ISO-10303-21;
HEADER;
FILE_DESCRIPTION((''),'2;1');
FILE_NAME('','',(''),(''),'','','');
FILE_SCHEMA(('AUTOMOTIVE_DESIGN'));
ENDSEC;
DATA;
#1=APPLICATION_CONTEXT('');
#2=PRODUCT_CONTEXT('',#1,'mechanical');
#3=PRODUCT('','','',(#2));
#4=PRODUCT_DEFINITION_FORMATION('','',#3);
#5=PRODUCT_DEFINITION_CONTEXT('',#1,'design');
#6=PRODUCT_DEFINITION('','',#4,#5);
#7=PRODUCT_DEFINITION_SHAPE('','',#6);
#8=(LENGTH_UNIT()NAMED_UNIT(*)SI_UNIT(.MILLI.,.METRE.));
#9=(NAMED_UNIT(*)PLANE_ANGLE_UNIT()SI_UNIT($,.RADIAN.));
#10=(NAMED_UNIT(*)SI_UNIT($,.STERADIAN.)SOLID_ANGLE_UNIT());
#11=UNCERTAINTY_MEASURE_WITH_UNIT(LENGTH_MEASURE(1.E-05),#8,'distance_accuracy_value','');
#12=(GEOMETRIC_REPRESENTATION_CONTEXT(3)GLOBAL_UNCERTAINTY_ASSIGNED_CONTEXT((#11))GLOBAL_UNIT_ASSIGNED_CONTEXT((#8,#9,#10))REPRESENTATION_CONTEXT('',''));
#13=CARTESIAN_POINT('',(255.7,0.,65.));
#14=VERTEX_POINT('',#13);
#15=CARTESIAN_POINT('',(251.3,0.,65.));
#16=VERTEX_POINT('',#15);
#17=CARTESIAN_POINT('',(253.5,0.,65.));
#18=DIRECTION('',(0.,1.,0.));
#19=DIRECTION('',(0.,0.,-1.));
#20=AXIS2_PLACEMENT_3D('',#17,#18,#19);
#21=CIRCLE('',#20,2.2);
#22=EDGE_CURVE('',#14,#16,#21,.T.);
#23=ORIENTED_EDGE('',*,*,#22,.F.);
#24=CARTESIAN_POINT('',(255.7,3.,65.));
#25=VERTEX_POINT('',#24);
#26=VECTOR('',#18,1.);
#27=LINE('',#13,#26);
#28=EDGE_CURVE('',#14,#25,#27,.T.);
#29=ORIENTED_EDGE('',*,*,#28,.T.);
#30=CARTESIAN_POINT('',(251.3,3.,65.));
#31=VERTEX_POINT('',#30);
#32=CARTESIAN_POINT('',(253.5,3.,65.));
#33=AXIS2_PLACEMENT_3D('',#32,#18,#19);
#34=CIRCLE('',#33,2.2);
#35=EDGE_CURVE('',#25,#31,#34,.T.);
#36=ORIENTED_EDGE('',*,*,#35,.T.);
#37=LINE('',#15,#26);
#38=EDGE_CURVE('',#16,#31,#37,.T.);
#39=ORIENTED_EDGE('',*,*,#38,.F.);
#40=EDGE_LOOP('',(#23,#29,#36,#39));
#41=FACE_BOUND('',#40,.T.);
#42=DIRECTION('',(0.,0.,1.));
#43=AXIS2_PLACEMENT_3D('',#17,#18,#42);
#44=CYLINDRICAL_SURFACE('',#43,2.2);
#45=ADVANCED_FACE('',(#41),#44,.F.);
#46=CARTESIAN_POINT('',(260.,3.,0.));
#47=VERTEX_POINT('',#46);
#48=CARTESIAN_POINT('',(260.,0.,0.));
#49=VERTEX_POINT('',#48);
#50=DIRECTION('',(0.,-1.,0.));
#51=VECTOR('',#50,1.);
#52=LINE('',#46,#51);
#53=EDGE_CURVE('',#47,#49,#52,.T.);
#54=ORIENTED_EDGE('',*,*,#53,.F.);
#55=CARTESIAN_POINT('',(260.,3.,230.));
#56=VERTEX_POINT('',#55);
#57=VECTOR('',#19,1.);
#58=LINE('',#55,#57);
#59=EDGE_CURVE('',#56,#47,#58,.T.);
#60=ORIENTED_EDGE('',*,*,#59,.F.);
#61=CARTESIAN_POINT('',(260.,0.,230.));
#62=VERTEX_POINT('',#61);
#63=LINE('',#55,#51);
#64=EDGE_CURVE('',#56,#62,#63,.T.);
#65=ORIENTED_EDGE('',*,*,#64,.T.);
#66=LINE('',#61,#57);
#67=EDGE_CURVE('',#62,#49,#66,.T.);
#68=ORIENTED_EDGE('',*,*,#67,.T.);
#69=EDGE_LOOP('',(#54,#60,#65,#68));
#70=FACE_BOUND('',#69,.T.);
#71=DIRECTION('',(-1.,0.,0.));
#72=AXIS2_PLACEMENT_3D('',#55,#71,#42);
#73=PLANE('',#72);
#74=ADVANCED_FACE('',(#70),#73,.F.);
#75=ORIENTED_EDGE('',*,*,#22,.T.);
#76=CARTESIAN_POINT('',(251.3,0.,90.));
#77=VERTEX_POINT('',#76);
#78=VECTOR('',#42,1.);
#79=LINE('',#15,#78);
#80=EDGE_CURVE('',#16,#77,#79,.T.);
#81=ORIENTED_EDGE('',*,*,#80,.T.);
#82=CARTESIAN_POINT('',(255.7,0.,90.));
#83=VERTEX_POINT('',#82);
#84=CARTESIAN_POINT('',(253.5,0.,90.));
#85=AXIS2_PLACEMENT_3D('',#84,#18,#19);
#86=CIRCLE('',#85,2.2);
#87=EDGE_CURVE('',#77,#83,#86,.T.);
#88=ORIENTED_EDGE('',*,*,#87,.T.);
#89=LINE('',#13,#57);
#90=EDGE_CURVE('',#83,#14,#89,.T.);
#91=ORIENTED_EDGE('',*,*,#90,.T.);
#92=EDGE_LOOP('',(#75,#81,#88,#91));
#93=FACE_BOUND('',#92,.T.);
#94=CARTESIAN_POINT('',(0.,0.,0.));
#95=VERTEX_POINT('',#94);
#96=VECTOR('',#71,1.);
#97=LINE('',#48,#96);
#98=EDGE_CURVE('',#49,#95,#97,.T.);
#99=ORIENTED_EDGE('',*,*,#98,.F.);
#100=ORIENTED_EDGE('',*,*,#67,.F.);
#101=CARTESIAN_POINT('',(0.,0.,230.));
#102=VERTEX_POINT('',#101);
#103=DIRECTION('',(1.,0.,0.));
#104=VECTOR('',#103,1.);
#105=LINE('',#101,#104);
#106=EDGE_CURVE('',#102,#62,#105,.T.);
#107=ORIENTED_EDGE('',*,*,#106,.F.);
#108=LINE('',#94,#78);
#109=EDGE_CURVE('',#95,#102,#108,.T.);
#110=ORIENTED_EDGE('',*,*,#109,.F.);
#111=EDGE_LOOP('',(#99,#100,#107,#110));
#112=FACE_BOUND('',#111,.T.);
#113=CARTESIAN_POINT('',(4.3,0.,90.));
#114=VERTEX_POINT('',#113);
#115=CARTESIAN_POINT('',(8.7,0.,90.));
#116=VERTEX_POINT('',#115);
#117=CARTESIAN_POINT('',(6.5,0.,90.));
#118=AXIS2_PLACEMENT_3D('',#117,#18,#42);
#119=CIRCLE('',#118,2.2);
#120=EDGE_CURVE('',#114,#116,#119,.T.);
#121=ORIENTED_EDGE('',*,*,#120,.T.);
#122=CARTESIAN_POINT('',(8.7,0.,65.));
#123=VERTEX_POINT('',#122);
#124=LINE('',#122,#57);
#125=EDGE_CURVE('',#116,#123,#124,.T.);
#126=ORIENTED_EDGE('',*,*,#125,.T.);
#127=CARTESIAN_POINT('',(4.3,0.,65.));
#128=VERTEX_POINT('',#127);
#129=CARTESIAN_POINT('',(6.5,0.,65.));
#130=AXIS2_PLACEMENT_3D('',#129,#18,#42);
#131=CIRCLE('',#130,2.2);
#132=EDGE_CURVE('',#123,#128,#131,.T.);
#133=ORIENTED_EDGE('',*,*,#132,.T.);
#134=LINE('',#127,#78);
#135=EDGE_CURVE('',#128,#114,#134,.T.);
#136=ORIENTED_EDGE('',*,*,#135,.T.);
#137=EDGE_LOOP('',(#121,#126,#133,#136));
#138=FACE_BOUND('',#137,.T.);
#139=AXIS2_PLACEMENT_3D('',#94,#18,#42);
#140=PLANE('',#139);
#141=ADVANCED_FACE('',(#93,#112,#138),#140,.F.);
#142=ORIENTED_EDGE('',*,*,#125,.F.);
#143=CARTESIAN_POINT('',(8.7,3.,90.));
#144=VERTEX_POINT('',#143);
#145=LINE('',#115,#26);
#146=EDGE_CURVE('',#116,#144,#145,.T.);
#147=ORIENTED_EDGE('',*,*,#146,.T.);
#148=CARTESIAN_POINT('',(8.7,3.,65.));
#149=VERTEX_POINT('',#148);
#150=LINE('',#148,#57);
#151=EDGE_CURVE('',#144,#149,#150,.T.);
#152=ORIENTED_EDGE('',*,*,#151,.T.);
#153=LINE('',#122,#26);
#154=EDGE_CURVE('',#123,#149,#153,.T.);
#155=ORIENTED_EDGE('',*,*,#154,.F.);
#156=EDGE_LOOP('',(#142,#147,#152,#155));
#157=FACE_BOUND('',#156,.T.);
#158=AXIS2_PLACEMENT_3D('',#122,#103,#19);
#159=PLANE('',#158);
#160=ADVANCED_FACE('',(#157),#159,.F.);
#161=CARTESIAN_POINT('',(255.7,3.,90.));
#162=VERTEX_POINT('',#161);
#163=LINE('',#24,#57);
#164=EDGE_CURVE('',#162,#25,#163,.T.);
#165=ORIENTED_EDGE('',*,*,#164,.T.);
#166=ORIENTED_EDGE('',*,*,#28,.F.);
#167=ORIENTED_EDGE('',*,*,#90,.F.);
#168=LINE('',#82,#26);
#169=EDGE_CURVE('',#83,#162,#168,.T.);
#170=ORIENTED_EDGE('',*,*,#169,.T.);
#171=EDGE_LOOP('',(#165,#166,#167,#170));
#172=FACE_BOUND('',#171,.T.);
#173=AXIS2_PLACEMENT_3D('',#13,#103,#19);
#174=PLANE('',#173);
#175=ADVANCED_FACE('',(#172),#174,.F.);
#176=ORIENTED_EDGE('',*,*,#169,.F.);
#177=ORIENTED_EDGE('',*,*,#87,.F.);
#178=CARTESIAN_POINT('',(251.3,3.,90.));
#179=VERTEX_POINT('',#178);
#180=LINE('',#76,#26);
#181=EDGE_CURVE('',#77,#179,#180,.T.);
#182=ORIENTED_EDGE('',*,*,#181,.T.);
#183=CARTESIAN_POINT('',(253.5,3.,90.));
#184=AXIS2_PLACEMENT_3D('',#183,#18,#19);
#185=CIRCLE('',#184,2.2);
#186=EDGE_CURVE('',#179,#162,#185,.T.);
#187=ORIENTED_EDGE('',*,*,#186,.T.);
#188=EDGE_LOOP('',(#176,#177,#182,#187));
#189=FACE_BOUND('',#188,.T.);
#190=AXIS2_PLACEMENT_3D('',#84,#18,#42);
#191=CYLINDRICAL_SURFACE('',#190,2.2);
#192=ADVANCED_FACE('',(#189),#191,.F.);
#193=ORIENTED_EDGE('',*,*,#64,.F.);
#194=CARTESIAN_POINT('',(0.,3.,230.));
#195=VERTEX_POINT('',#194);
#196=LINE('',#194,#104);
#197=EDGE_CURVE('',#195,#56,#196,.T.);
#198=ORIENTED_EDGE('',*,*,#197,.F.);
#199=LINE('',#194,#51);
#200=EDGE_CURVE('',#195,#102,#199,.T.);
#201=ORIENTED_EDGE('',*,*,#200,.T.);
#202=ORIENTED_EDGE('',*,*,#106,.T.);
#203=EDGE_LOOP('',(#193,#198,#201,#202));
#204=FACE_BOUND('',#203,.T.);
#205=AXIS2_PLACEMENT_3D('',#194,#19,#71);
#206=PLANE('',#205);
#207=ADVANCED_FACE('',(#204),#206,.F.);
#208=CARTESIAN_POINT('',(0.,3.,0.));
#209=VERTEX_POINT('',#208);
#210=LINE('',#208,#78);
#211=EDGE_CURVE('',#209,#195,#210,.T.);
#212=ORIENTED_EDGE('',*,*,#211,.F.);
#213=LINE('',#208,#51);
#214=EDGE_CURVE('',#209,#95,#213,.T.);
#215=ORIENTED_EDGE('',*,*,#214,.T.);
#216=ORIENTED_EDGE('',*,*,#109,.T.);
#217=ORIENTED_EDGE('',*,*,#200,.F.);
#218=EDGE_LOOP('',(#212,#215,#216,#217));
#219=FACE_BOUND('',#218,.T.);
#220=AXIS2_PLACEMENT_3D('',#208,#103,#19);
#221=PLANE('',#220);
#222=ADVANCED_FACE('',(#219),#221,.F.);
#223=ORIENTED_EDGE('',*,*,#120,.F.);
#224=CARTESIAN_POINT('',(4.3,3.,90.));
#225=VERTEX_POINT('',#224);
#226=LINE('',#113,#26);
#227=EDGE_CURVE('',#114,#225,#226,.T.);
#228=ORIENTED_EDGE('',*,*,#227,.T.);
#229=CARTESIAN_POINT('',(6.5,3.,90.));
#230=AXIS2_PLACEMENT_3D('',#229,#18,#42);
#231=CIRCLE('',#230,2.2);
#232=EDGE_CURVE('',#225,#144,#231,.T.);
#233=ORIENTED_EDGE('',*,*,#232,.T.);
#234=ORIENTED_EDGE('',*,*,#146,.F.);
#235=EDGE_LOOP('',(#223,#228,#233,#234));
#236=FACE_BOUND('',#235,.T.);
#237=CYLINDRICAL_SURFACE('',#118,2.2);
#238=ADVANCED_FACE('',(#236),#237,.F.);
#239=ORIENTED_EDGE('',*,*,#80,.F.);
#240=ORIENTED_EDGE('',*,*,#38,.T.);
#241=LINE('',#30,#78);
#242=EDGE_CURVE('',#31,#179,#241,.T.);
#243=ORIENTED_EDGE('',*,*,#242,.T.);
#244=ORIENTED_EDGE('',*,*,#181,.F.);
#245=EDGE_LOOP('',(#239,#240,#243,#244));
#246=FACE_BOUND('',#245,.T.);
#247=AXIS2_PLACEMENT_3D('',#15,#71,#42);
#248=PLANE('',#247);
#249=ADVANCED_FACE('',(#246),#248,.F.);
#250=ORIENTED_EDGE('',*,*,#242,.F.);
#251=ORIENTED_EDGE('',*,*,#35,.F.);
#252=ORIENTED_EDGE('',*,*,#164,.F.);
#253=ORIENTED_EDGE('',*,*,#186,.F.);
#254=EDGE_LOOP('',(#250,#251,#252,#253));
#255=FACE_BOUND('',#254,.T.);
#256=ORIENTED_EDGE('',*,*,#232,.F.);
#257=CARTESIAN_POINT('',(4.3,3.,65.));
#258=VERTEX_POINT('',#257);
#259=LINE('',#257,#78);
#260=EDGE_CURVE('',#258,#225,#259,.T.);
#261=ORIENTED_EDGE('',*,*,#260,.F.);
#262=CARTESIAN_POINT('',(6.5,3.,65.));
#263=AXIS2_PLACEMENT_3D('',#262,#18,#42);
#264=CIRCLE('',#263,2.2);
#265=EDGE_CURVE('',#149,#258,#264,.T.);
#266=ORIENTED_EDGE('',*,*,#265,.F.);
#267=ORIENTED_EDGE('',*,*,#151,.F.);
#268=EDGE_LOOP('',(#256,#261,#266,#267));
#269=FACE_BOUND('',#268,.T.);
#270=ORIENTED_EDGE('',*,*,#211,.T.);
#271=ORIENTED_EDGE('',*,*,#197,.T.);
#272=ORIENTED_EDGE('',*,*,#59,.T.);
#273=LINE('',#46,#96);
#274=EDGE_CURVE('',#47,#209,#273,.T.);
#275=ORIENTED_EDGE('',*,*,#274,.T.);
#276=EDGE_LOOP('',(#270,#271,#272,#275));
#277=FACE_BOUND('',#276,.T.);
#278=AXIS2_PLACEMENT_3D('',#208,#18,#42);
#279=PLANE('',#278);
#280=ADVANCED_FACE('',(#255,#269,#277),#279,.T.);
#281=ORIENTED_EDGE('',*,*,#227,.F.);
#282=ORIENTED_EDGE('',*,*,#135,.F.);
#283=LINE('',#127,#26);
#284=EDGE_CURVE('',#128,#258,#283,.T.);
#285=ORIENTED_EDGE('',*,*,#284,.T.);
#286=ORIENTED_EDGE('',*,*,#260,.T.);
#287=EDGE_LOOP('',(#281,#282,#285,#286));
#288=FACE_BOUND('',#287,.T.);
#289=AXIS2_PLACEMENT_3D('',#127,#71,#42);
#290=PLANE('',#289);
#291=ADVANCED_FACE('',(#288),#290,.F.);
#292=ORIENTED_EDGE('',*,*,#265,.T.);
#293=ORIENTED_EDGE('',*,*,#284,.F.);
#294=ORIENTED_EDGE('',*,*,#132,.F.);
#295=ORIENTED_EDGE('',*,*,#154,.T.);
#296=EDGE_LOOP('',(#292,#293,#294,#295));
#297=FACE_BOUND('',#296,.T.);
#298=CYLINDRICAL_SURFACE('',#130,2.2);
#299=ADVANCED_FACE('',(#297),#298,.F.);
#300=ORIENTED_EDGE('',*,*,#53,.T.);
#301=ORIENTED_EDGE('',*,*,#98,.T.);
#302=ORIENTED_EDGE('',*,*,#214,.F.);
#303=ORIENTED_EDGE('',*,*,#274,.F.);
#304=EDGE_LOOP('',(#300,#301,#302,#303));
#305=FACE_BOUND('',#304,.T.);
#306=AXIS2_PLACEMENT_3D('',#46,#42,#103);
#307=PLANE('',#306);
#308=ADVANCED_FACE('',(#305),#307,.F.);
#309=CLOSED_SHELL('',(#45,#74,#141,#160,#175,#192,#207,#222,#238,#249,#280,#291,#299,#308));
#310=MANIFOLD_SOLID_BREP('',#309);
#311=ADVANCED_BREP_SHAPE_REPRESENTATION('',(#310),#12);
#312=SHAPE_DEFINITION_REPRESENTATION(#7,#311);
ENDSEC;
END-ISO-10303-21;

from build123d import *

# Parameters (mm, degrees)
SKETCH1_W           = 260
SKETCH1_H           = 230
BOSS_EXTRUDE1_DEPTH = 3
CUT_EXTRUDE1_DEPTH  = 348.144062314


with BuildPart() as part:
    # Sketch1 → Boss-Extrude1 (new body)
    with BuildSketch(Plane(origin=(0, 0, 0), x_dir=(1, 0, 0), z_dir=(0, 1, 0))):
        with Locations((130, -115)):
            Rectangle(SKETCH1_W, SKETCH1_H)
    extrude(amount=BOSS_EXTRUDE1_DEPTH)

    # Sketch2 → Cut-Extrude1 (cut, through all)
    with BuildSketch(Plane(origin=(0, 3, 0), x_dir=(1, 0, 0), z_dir=(0, 1, 0))):
        with BuildLine():
            Line((8.7, -65), (8.7, -90))
            ThreePointArc((8.7, -90), (6.5, -92.2), (4.3, -90))
            Line((4.3, -90), (4.3, -65))
            ThreePointArc((4.3, -65), (6.5, -62.8), (8.7, -65))
        make_face()
        with BuildLine():
            Line((251.3, -65), (251.3, -90))
            ThreePointArc((251.3, -90), (253.5, -92.2), (255.7, -90))
            Line((255.7, -90), (255.7, -65))
            ThreePointArc((255.7, -65), (253.5, -62.8), (251.3, -65))
        make_face()
    extrude(amount=-CUT_EXTRUDE1_DEPTH, mode=Mode.SUBTRACT)


solid = part.part
